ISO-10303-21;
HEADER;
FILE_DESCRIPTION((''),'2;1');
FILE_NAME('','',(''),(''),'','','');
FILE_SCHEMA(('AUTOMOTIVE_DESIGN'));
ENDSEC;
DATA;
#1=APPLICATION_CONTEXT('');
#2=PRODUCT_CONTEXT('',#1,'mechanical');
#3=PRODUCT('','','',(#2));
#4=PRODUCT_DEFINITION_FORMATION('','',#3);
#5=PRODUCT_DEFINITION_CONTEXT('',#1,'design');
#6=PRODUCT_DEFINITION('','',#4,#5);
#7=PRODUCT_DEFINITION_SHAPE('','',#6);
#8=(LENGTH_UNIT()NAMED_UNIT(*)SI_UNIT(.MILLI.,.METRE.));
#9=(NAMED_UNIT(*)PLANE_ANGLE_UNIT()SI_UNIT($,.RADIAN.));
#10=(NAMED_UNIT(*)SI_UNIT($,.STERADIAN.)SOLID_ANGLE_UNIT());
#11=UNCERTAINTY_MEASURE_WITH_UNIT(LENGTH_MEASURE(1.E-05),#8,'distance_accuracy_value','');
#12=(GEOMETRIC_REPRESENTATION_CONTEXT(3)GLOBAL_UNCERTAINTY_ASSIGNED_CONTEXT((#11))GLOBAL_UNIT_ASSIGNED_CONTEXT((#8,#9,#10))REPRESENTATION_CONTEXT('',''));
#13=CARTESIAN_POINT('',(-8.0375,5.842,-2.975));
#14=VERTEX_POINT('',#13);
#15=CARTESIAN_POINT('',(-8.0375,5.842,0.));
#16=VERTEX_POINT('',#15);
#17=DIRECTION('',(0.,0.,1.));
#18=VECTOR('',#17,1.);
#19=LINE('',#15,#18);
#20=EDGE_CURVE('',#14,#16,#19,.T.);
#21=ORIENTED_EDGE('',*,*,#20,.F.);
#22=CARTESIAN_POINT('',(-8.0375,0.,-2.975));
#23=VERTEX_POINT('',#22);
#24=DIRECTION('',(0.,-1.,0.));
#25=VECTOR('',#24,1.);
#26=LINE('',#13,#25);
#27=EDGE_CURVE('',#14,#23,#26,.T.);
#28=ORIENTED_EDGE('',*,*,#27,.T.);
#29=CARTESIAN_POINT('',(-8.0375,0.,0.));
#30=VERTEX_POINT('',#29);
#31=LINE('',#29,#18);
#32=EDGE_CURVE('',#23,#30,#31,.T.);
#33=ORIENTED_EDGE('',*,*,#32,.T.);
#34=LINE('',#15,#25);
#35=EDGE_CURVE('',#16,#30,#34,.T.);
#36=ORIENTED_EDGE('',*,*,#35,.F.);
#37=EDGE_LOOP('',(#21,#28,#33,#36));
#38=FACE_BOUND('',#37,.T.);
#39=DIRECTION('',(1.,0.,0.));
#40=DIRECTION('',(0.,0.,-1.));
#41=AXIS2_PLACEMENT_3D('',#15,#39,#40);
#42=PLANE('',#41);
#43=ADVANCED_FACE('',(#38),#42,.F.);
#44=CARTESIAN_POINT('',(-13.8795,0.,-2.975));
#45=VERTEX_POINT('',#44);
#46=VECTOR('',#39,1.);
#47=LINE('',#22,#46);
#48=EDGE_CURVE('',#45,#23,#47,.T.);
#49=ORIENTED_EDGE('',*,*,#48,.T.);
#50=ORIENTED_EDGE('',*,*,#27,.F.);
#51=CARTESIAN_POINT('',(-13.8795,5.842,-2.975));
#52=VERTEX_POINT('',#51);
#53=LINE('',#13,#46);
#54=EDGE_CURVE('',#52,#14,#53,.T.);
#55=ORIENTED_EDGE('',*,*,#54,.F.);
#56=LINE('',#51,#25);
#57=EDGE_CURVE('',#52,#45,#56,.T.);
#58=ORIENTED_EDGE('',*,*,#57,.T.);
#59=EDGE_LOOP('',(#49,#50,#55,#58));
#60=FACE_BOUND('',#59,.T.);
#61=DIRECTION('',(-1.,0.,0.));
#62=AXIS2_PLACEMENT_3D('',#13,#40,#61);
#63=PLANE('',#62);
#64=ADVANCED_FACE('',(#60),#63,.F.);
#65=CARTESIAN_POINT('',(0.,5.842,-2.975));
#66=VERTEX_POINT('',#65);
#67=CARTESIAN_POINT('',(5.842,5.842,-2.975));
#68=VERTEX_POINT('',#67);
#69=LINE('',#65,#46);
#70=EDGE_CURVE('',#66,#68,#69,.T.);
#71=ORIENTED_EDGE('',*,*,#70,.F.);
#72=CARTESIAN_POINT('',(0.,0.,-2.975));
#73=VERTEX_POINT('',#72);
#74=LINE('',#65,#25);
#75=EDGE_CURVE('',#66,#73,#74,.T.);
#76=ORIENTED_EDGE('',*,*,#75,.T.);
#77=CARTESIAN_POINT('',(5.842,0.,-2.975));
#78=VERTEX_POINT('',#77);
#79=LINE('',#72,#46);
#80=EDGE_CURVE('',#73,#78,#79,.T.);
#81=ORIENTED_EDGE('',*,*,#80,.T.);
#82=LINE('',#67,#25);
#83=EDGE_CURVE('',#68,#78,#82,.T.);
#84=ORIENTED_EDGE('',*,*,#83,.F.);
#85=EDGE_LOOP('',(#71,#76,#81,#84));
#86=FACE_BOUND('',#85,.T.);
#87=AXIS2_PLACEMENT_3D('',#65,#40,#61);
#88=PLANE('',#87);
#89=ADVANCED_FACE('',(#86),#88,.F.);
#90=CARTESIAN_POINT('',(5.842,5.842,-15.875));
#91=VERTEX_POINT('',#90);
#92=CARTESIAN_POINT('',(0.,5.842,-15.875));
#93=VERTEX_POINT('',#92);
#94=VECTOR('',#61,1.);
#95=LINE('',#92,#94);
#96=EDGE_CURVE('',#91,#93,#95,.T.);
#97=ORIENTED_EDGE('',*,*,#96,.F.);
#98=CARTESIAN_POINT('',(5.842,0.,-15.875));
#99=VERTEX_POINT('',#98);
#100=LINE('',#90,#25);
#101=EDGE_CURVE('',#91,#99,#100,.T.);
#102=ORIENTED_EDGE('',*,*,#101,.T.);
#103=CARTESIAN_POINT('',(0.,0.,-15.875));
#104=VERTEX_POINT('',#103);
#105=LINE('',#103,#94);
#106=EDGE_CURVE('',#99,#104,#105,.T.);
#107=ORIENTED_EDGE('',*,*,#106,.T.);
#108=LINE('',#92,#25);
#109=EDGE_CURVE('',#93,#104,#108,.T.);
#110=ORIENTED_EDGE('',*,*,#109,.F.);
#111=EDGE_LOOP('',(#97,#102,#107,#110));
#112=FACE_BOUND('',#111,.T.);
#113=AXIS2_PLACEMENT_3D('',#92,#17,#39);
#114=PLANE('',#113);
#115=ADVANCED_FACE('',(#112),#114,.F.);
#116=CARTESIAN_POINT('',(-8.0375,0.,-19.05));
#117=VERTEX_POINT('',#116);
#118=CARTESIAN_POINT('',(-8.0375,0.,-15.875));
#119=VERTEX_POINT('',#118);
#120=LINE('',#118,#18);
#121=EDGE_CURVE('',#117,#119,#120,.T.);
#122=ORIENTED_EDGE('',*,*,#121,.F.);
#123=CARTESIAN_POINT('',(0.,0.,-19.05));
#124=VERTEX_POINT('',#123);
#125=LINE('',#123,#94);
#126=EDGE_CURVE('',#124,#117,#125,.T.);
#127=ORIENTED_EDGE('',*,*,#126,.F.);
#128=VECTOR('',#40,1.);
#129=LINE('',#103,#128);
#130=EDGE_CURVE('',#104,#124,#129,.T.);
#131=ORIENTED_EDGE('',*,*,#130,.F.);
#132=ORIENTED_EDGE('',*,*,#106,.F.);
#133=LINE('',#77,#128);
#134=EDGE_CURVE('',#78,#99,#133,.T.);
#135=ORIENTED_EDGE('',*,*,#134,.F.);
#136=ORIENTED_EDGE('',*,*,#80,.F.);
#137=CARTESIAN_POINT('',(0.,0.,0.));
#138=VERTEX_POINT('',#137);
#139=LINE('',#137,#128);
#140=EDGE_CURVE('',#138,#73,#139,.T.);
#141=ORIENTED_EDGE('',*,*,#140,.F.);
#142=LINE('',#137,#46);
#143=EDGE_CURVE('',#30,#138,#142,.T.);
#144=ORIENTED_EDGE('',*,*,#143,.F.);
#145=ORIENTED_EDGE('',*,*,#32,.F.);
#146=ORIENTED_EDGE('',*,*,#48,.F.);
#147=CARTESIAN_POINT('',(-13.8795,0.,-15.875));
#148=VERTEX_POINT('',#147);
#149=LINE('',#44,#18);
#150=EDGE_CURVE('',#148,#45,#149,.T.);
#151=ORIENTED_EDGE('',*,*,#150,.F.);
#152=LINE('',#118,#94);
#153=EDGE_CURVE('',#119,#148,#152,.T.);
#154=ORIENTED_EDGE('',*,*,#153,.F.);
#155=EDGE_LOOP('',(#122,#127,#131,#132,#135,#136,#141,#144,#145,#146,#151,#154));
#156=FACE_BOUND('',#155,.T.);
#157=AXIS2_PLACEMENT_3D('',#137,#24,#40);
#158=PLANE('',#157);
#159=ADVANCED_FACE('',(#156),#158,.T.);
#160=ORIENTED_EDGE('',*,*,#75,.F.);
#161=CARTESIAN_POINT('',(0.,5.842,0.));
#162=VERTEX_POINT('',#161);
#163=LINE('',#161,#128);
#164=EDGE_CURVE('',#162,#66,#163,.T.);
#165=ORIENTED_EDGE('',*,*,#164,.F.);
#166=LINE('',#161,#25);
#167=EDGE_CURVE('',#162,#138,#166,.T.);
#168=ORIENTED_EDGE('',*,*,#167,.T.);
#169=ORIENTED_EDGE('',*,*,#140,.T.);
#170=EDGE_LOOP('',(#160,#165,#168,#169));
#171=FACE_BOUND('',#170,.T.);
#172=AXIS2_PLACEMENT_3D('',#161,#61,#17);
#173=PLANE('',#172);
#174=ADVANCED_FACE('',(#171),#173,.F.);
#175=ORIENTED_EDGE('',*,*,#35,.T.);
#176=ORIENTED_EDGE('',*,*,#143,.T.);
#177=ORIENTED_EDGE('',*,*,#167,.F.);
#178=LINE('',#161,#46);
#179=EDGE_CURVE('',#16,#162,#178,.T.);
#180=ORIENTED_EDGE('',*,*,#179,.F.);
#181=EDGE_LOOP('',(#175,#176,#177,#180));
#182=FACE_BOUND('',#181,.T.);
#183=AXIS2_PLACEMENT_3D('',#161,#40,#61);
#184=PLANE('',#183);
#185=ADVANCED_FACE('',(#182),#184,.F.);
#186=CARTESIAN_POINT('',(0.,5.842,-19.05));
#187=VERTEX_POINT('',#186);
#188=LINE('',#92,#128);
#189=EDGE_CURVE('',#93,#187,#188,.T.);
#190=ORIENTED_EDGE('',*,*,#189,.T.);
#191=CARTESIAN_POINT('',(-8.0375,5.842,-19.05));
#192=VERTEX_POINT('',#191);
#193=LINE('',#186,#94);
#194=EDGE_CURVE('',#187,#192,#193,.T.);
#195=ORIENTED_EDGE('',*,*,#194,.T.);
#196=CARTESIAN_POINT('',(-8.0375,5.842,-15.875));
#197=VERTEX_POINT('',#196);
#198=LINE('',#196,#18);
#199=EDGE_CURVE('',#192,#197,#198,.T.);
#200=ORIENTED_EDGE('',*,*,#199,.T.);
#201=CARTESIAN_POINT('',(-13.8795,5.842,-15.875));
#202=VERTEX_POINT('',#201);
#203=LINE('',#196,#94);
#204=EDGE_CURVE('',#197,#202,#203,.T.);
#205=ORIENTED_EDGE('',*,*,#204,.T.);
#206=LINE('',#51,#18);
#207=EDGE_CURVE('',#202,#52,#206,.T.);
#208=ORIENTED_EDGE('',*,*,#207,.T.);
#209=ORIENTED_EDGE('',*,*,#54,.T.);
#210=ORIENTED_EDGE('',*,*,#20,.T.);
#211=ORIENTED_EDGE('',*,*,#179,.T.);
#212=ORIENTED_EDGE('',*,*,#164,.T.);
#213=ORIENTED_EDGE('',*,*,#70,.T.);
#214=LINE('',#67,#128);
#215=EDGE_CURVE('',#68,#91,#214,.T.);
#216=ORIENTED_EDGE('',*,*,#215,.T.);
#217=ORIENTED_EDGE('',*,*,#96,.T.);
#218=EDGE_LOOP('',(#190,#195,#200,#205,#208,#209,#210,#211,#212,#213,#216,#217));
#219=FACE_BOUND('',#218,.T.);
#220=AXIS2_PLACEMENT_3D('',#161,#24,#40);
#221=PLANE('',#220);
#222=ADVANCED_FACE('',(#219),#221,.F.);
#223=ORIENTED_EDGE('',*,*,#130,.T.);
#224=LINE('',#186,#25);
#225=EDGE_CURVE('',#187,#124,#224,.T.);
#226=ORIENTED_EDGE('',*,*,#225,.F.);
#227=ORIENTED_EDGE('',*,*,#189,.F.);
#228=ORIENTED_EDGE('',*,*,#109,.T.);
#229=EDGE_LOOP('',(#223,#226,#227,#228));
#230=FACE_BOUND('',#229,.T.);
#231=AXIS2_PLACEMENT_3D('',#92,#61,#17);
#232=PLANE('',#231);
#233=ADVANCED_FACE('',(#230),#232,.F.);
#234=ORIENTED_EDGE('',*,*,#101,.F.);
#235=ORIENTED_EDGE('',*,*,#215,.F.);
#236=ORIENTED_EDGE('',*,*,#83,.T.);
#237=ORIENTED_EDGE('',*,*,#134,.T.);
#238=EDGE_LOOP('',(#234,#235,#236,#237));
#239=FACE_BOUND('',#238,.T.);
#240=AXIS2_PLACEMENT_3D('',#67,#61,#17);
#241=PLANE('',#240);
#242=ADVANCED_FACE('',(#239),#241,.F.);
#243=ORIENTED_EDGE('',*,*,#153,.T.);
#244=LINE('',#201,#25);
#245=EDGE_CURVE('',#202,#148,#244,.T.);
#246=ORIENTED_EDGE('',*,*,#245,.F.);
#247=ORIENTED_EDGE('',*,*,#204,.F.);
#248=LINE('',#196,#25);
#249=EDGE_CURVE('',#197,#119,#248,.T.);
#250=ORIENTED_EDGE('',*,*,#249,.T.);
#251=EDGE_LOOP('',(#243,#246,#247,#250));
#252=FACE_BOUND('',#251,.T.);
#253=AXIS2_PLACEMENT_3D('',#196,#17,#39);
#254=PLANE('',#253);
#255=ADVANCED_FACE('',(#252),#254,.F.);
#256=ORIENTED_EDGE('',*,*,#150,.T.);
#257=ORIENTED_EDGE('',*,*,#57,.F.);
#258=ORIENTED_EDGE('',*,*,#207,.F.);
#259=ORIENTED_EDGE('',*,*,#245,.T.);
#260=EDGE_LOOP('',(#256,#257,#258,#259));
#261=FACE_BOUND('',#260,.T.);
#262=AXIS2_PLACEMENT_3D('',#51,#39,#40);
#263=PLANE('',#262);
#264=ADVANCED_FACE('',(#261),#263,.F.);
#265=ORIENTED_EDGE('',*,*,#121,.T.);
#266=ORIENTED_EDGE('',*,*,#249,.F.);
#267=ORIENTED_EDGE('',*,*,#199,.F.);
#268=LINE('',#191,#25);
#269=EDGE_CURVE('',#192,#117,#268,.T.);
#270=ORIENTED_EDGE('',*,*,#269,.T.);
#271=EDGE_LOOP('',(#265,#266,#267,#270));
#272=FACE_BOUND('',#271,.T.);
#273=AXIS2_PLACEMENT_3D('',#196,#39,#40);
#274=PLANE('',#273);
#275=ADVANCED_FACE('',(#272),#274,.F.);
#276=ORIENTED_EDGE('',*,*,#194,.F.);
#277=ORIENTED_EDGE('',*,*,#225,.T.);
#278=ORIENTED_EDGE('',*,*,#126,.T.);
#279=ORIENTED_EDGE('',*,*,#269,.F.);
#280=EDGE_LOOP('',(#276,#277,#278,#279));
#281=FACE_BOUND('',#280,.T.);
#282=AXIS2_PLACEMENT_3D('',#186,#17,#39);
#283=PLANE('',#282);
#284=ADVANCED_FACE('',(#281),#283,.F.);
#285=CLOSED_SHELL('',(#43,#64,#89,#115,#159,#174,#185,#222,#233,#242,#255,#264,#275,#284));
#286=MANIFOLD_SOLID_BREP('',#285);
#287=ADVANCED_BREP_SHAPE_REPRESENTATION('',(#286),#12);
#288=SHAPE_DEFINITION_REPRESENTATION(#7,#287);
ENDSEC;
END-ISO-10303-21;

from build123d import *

# Parameters (mm, degrees)
BOSS_EXTRUDE1_DEPTH = 5.842


with BuildPart() as part:
    # Sketch1 → Boss-Extrude1 (new body)
    with BuildSketch(Plane(origin=(0, 0, 0), x_dir=(1, 0, 0), z_dir=(0, 1, 0))):
        Polygon((0, 0), (-8.0375, 0), (-8.0375, 2.975), (-13.8795, 2.975), (-13.8795, 15.875), (-8.0375, 15.875), (-8.0375, 19.05), (0, 19.05), (0, 15.875), (5.842, 15.875), (5.842, 2.975), (0, 2.975), align=None)
    extrude(amount=BOSS_EXTRUDE1_DEPTH)


solid = part.part
